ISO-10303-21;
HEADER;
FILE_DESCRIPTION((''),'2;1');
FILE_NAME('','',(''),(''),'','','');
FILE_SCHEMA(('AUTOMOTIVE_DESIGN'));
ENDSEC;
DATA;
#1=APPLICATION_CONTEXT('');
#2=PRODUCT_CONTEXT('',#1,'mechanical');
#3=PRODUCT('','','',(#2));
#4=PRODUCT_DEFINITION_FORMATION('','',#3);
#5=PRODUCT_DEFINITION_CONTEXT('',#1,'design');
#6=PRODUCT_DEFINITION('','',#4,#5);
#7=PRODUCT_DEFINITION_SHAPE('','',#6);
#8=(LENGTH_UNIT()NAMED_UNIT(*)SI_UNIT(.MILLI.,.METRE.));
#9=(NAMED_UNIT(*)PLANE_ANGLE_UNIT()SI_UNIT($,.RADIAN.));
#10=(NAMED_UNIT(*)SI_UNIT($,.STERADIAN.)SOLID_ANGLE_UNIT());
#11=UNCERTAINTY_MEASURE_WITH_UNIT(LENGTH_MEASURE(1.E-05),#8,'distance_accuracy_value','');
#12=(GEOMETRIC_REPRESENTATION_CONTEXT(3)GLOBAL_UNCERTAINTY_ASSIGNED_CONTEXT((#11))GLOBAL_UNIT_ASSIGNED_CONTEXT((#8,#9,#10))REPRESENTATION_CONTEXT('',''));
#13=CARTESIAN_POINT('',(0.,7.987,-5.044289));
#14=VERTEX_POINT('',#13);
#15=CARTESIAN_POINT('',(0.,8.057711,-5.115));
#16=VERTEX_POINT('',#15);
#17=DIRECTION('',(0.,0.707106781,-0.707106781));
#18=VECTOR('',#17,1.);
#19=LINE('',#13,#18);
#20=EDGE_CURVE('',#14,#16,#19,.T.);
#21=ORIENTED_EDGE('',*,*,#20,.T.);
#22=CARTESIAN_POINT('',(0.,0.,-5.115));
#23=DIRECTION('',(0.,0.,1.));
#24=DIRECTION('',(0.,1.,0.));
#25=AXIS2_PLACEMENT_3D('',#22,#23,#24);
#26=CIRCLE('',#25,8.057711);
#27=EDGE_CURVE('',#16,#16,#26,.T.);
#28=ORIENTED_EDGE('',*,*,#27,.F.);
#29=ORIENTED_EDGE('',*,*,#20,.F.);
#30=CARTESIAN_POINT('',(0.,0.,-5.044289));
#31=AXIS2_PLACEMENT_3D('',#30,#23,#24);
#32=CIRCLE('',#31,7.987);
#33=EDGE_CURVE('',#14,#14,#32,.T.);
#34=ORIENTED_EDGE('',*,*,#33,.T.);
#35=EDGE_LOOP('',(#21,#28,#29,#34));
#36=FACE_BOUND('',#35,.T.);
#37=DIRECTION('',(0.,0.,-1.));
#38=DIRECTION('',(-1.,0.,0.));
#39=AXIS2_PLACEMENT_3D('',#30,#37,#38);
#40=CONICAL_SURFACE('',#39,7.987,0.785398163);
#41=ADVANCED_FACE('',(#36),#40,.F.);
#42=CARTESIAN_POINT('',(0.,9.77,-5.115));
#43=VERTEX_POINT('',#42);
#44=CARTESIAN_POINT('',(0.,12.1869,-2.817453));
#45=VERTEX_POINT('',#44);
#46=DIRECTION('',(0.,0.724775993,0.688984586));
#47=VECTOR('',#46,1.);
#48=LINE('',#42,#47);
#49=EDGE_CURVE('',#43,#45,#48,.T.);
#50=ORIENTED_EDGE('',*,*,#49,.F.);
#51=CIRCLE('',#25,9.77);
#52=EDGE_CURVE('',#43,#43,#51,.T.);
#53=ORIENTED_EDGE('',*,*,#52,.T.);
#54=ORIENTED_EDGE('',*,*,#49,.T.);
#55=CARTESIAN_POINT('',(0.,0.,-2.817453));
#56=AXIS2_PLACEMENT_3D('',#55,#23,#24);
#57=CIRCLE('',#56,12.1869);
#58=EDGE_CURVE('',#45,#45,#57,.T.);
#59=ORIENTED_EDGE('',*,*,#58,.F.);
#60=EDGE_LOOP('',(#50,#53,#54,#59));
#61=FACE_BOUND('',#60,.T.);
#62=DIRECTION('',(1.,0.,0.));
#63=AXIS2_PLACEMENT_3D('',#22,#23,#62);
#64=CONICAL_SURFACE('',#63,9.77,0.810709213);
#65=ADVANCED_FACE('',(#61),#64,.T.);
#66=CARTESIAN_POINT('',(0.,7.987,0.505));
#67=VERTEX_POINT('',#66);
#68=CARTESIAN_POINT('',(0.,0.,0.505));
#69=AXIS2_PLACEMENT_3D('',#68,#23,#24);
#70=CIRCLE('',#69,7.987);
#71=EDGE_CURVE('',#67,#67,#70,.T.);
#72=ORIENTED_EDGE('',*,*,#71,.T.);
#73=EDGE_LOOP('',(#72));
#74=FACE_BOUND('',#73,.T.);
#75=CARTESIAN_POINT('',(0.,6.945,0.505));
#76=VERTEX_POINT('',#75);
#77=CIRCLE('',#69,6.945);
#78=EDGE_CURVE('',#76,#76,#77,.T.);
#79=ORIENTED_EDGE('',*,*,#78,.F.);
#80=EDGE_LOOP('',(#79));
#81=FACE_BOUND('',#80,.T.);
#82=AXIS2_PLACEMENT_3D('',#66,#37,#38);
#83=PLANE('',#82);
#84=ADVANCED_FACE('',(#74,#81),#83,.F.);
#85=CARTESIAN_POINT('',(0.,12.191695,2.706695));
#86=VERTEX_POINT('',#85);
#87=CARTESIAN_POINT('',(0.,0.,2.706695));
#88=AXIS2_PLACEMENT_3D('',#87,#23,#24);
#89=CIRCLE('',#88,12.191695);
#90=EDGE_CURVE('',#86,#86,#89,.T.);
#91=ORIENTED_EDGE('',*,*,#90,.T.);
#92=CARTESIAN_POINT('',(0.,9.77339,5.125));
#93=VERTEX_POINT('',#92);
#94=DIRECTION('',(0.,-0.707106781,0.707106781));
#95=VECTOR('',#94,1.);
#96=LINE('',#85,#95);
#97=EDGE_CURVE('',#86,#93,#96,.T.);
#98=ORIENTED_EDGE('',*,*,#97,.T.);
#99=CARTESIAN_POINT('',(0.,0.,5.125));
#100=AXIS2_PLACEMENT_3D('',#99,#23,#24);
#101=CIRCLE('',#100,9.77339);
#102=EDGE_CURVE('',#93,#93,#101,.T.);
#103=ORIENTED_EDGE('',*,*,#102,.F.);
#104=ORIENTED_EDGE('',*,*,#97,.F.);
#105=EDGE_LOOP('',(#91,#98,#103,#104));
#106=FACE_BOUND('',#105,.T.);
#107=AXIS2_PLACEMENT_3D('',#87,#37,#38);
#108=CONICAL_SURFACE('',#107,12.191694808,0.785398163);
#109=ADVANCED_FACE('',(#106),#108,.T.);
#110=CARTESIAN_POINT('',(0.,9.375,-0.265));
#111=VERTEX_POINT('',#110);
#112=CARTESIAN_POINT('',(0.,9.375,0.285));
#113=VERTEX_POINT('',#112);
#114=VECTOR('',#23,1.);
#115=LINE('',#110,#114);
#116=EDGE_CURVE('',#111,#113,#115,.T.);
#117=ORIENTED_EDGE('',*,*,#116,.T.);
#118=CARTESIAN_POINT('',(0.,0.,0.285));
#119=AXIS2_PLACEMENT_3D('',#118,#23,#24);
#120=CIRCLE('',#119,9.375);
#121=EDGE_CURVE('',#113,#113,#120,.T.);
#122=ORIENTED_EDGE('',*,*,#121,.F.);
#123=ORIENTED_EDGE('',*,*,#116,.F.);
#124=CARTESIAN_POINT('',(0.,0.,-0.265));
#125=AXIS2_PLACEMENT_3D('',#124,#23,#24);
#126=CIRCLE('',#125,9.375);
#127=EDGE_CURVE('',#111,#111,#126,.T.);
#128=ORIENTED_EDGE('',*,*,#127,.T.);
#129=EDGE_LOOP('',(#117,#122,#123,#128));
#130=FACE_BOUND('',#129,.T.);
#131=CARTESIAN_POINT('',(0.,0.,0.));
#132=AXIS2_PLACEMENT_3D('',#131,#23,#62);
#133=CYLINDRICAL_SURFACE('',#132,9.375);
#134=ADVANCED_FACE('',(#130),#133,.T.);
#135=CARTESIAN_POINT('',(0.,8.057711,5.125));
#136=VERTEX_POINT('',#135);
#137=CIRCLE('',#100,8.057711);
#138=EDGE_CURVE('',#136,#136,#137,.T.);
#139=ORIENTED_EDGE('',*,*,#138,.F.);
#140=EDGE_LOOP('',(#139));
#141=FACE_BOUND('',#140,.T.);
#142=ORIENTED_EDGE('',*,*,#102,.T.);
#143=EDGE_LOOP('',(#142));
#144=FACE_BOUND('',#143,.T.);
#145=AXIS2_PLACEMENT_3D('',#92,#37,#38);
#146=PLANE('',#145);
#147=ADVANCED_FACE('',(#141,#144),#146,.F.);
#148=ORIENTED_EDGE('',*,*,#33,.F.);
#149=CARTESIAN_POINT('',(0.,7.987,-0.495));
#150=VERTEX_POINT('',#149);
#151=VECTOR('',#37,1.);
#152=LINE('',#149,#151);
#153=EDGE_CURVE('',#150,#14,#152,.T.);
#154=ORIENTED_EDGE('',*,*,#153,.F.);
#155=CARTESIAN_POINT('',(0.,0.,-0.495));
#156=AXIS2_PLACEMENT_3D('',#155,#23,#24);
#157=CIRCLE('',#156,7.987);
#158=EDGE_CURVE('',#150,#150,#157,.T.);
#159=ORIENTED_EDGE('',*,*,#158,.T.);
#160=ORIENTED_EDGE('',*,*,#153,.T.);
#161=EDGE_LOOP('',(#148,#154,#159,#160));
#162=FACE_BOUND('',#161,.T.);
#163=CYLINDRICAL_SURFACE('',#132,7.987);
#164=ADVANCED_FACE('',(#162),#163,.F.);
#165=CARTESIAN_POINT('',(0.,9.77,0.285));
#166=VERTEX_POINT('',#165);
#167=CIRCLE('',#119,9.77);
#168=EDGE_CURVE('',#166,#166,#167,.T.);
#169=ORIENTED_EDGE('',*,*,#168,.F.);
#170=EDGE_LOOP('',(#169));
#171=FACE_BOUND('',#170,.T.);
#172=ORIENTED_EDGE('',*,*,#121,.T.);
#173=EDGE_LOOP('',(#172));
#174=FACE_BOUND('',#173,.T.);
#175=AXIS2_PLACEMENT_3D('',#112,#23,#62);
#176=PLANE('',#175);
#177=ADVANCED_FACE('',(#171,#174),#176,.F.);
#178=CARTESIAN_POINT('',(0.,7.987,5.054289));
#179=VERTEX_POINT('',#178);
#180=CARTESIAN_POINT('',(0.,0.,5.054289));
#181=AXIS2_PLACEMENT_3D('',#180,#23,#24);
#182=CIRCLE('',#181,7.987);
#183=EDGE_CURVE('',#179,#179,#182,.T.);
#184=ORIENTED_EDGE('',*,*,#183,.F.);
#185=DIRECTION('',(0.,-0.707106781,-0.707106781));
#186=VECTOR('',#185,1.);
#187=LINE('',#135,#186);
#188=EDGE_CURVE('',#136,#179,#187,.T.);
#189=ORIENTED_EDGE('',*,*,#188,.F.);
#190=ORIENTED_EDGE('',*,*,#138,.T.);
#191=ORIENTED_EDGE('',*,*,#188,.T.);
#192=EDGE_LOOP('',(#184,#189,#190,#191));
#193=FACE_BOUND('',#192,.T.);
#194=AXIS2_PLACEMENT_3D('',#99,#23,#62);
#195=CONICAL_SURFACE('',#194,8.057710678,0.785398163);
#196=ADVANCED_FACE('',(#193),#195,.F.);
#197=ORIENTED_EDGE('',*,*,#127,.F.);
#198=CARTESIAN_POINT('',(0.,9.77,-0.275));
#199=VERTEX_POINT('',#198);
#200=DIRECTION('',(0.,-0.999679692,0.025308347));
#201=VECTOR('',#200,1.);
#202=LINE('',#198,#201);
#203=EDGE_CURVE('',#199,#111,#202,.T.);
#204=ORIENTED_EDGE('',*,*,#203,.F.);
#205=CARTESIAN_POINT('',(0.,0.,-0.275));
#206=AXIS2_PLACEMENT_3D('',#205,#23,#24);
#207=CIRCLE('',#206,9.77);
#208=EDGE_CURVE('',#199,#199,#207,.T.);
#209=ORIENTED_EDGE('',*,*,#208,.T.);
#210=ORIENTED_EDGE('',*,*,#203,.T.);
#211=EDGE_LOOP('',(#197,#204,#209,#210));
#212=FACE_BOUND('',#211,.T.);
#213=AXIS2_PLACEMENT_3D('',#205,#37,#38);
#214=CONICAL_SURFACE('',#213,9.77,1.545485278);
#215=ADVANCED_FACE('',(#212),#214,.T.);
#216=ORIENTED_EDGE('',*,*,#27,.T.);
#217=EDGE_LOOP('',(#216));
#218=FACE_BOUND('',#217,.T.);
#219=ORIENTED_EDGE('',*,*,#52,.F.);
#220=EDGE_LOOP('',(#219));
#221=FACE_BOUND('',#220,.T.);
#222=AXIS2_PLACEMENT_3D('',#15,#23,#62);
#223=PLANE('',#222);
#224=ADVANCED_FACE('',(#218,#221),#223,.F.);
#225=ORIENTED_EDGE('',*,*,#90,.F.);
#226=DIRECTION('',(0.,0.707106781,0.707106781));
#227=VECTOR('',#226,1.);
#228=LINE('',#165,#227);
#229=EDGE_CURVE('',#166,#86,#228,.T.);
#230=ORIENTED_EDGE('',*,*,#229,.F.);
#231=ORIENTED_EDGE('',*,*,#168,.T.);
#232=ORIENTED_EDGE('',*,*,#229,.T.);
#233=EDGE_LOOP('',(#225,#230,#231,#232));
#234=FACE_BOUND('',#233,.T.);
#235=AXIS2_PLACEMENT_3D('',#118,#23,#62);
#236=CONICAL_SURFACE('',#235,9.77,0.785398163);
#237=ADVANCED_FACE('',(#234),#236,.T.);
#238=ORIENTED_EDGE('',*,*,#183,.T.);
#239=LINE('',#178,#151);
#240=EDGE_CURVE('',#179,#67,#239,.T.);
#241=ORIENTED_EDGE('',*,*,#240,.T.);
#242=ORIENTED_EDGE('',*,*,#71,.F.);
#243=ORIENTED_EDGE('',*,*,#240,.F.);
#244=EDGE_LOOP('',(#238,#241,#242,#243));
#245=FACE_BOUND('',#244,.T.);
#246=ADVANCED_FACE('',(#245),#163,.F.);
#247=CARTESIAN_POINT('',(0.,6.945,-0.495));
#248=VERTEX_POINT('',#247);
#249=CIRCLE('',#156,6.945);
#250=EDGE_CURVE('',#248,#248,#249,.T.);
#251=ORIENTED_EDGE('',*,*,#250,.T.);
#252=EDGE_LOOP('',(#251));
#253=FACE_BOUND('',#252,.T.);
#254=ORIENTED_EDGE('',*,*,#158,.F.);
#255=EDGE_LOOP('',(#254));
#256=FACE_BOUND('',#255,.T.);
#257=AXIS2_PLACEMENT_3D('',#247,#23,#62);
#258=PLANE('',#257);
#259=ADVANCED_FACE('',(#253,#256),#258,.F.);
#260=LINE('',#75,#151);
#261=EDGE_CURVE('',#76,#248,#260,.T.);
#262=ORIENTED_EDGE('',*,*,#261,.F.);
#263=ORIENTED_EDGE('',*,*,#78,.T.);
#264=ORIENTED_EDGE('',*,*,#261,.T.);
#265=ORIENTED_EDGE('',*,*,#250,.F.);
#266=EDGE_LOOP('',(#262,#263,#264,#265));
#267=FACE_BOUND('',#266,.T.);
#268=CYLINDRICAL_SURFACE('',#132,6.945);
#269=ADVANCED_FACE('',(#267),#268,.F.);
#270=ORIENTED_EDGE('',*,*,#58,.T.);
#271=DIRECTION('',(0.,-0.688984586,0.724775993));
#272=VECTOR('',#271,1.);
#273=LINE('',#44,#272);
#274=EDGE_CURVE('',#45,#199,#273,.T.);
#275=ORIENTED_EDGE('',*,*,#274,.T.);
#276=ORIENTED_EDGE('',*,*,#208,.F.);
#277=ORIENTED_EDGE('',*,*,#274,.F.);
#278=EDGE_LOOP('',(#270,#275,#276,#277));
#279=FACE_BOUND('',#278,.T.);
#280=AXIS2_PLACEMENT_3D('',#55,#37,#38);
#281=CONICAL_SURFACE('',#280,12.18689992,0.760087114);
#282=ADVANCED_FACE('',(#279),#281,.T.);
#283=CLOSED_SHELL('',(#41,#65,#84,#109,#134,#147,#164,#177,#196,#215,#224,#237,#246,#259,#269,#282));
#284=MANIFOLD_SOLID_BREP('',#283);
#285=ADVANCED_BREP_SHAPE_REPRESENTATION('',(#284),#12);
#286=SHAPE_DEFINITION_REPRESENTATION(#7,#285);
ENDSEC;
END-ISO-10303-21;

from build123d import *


with BuildPart() as part:
    # Sweep1: sweep along a path in Sketch4
    with BuildLine(Plane.XY) as sweep1_path:
        CenterArc((0, 0), 2.5, 0, 360)
    # Sketch3 → Sweep1 (sweep)
    with BuildSketch(Plane(origin=(0, 0, 0), x_dir=(0, 0, -1), z_dir=(1, 0, 0))):
        Polygon((-0.505, 6.945), (0.495, 6.945), (0.495, 7.987), (5.044289322, 7.987), (5.115, 8.057710678), (5.115, 9.77), (2.817453163, 12.18689992), (0.275, 9.77), (0.265, 9.375), (-0.285, 9.375), (-0.285, 9.77), (-2.706694808, 12.191694808), (-5.125, 9.773389617), (-5.125, 8.057710678), (-5.054289322, 7.987), (-0.505, 7.987), align=None)
    sweep(path=sweep1_path.line)


solid = part.part
